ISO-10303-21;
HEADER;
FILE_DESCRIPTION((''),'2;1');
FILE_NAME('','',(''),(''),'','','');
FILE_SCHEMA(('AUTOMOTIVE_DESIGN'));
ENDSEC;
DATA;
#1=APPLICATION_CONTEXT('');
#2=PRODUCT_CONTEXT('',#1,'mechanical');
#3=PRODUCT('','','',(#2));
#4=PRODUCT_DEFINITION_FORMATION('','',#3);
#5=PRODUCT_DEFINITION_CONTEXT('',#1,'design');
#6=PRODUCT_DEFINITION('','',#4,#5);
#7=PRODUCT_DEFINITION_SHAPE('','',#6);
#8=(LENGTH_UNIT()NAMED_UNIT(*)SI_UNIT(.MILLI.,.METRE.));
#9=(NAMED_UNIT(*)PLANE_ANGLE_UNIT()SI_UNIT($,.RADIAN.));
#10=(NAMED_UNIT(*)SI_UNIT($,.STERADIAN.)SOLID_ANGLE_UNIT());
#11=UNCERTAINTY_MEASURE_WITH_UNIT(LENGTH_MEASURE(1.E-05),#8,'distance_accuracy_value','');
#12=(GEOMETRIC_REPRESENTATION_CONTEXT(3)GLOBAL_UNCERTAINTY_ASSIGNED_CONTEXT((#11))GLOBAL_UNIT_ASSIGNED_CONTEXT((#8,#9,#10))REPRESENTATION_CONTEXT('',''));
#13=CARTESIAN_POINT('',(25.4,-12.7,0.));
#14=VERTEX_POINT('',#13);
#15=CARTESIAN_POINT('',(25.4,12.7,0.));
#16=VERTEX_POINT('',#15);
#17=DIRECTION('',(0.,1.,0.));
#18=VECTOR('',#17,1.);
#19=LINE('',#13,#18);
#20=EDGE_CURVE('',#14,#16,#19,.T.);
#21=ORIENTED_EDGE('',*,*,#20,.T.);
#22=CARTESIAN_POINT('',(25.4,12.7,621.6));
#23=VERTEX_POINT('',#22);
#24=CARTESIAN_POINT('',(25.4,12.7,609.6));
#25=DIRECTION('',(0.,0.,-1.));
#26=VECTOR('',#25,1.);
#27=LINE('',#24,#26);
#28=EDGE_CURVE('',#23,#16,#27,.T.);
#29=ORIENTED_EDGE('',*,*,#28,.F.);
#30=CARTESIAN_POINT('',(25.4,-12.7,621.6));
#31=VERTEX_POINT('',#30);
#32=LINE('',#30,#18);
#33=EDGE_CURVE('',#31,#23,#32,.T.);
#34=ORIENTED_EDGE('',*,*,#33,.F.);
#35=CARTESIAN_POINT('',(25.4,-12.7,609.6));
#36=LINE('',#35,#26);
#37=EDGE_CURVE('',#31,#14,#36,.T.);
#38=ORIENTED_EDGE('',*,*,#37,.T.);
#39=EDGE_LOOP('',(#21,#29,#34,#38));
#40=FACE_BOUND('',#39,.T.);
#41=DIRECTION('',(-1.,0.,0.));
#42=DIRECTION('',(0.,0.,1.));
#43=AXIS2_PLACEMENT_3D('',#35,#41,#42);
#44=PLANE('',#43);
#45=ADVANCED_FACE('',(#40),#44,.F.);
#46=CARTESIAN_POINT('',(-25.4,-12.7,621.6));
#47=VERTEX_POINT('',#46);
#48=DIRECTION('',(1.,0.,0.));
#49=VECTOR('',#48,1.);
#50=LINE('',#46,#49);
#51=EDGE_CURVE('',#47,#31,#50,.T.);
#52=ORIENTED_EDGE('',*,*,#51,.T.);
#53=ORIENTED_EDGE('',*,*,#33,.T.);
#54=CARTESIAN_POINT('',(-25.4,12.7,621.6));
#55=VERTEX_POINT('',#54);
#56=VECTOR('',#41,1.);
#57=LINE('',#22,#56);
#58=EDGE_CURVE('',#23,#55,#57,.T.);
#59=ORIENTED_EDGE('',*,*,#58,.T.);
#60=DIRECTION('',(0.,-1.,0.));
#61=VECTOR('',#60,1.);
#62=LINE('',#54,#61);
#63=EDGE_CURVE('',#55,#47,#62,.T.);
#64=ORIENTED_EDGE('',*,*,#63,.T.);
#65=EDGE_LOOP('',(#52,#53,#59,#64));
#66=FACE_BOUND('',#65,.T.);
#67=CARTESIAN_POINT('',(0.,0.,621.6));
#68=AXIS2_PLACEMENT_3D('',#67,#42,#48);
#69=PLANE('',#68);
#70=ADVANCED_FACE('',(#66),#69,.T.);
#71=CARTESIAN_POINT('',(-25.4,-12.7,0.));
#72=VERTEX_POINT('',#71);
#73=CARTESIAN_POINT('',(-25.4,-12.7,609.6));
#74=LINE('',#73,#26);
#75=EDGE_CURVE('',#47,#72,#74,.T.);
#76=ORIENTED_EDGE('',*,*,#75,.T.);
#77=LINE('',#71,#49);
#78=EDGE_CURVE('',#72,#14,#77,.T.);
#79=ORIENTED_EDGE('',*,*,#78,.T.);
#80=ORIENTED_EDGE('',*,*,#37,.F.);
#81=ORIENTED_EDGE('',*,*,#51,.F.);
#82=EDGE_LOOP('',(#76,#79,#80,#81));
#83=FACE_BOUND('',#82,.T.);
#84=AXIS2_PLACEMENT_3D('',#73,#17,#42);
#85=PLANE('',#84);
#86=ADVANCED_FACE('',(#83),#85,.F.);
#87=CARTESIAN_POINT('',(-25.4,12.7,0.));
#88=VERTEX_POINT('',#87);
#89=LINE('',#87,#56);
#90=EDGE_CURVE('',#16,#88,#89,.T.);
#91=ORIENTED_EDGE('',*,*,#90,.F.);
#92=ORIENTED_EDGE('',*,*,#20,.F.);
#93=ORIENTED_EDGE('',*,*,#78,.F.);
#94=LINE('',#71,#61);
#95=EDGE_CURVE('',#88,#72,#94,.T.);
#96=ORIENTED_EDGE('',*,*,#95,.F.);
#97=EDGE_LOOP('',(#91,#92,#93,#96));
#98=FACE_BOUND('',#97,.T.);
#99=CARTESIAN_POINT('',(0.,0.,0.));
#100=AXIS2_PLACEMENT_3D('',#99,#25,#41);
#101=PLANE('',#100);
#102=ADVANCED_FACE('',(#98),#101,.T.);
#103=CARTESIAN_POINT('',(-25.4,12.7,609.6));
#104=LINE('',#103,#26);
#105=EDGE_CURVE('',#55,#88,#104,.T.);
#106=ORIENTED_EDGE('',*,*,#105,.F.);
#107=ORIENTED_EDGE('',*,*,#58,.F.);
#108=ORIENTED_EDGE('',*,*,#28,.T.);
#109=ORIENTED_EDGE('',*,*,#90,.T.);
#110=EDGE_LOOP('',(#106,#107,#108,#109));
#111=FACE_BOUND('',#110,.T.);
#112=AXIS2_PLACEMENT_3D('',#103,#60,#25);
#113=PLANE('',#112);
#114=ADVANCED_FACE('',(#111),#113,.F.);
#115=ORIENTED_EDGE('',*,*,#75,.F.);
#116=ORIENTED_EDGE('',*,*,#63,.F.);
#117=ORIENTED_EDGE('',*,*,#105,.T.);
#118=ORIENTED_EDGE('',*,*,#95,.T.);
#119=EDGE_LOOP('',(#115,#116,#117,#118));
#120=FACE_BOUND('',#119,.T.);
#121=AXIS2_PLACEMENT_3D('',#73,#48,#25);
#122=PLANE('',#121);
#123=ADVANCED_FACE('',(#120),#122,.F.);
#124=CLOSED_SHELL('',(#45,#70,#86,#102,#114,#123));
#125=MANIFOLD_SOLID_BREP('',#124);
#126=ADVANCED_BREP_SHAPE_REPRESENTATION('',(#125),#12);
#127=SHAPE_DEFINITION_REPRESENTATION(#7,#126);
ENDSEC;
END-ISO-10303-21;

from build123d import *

# Parameters (mm, degrees)
SKETCH1_W           = 50.8
SKETCH1_H           = 25.4
BOSS_EXTRUDE1_DEPTH = 609.6
SKETCH2_W           = 50.8
SKETCH2_H           = 25.4
BOSS_EXTRUDE2_DEPTH = 12


with BuildPart() as part:
    # Sketch1 → Boss-Extrude1 (new body)
    with BuildSketch(Plane.XY):
        Rectangle(SKETCH1_W, SKETCH1_H)
    extrude(amount=BOSS_EXTRUDE1_DEPTH)

    # Sketch2 → Boss-Extrude2 (add)
    with BuildSketch(Plane.XY.offset(609.6)):
        Rectangle(SKETCH2_W, SKETCH2_H)
    extrude(amount=BOSS_EXTRUDE2_DEPTH)


solid = part.part
